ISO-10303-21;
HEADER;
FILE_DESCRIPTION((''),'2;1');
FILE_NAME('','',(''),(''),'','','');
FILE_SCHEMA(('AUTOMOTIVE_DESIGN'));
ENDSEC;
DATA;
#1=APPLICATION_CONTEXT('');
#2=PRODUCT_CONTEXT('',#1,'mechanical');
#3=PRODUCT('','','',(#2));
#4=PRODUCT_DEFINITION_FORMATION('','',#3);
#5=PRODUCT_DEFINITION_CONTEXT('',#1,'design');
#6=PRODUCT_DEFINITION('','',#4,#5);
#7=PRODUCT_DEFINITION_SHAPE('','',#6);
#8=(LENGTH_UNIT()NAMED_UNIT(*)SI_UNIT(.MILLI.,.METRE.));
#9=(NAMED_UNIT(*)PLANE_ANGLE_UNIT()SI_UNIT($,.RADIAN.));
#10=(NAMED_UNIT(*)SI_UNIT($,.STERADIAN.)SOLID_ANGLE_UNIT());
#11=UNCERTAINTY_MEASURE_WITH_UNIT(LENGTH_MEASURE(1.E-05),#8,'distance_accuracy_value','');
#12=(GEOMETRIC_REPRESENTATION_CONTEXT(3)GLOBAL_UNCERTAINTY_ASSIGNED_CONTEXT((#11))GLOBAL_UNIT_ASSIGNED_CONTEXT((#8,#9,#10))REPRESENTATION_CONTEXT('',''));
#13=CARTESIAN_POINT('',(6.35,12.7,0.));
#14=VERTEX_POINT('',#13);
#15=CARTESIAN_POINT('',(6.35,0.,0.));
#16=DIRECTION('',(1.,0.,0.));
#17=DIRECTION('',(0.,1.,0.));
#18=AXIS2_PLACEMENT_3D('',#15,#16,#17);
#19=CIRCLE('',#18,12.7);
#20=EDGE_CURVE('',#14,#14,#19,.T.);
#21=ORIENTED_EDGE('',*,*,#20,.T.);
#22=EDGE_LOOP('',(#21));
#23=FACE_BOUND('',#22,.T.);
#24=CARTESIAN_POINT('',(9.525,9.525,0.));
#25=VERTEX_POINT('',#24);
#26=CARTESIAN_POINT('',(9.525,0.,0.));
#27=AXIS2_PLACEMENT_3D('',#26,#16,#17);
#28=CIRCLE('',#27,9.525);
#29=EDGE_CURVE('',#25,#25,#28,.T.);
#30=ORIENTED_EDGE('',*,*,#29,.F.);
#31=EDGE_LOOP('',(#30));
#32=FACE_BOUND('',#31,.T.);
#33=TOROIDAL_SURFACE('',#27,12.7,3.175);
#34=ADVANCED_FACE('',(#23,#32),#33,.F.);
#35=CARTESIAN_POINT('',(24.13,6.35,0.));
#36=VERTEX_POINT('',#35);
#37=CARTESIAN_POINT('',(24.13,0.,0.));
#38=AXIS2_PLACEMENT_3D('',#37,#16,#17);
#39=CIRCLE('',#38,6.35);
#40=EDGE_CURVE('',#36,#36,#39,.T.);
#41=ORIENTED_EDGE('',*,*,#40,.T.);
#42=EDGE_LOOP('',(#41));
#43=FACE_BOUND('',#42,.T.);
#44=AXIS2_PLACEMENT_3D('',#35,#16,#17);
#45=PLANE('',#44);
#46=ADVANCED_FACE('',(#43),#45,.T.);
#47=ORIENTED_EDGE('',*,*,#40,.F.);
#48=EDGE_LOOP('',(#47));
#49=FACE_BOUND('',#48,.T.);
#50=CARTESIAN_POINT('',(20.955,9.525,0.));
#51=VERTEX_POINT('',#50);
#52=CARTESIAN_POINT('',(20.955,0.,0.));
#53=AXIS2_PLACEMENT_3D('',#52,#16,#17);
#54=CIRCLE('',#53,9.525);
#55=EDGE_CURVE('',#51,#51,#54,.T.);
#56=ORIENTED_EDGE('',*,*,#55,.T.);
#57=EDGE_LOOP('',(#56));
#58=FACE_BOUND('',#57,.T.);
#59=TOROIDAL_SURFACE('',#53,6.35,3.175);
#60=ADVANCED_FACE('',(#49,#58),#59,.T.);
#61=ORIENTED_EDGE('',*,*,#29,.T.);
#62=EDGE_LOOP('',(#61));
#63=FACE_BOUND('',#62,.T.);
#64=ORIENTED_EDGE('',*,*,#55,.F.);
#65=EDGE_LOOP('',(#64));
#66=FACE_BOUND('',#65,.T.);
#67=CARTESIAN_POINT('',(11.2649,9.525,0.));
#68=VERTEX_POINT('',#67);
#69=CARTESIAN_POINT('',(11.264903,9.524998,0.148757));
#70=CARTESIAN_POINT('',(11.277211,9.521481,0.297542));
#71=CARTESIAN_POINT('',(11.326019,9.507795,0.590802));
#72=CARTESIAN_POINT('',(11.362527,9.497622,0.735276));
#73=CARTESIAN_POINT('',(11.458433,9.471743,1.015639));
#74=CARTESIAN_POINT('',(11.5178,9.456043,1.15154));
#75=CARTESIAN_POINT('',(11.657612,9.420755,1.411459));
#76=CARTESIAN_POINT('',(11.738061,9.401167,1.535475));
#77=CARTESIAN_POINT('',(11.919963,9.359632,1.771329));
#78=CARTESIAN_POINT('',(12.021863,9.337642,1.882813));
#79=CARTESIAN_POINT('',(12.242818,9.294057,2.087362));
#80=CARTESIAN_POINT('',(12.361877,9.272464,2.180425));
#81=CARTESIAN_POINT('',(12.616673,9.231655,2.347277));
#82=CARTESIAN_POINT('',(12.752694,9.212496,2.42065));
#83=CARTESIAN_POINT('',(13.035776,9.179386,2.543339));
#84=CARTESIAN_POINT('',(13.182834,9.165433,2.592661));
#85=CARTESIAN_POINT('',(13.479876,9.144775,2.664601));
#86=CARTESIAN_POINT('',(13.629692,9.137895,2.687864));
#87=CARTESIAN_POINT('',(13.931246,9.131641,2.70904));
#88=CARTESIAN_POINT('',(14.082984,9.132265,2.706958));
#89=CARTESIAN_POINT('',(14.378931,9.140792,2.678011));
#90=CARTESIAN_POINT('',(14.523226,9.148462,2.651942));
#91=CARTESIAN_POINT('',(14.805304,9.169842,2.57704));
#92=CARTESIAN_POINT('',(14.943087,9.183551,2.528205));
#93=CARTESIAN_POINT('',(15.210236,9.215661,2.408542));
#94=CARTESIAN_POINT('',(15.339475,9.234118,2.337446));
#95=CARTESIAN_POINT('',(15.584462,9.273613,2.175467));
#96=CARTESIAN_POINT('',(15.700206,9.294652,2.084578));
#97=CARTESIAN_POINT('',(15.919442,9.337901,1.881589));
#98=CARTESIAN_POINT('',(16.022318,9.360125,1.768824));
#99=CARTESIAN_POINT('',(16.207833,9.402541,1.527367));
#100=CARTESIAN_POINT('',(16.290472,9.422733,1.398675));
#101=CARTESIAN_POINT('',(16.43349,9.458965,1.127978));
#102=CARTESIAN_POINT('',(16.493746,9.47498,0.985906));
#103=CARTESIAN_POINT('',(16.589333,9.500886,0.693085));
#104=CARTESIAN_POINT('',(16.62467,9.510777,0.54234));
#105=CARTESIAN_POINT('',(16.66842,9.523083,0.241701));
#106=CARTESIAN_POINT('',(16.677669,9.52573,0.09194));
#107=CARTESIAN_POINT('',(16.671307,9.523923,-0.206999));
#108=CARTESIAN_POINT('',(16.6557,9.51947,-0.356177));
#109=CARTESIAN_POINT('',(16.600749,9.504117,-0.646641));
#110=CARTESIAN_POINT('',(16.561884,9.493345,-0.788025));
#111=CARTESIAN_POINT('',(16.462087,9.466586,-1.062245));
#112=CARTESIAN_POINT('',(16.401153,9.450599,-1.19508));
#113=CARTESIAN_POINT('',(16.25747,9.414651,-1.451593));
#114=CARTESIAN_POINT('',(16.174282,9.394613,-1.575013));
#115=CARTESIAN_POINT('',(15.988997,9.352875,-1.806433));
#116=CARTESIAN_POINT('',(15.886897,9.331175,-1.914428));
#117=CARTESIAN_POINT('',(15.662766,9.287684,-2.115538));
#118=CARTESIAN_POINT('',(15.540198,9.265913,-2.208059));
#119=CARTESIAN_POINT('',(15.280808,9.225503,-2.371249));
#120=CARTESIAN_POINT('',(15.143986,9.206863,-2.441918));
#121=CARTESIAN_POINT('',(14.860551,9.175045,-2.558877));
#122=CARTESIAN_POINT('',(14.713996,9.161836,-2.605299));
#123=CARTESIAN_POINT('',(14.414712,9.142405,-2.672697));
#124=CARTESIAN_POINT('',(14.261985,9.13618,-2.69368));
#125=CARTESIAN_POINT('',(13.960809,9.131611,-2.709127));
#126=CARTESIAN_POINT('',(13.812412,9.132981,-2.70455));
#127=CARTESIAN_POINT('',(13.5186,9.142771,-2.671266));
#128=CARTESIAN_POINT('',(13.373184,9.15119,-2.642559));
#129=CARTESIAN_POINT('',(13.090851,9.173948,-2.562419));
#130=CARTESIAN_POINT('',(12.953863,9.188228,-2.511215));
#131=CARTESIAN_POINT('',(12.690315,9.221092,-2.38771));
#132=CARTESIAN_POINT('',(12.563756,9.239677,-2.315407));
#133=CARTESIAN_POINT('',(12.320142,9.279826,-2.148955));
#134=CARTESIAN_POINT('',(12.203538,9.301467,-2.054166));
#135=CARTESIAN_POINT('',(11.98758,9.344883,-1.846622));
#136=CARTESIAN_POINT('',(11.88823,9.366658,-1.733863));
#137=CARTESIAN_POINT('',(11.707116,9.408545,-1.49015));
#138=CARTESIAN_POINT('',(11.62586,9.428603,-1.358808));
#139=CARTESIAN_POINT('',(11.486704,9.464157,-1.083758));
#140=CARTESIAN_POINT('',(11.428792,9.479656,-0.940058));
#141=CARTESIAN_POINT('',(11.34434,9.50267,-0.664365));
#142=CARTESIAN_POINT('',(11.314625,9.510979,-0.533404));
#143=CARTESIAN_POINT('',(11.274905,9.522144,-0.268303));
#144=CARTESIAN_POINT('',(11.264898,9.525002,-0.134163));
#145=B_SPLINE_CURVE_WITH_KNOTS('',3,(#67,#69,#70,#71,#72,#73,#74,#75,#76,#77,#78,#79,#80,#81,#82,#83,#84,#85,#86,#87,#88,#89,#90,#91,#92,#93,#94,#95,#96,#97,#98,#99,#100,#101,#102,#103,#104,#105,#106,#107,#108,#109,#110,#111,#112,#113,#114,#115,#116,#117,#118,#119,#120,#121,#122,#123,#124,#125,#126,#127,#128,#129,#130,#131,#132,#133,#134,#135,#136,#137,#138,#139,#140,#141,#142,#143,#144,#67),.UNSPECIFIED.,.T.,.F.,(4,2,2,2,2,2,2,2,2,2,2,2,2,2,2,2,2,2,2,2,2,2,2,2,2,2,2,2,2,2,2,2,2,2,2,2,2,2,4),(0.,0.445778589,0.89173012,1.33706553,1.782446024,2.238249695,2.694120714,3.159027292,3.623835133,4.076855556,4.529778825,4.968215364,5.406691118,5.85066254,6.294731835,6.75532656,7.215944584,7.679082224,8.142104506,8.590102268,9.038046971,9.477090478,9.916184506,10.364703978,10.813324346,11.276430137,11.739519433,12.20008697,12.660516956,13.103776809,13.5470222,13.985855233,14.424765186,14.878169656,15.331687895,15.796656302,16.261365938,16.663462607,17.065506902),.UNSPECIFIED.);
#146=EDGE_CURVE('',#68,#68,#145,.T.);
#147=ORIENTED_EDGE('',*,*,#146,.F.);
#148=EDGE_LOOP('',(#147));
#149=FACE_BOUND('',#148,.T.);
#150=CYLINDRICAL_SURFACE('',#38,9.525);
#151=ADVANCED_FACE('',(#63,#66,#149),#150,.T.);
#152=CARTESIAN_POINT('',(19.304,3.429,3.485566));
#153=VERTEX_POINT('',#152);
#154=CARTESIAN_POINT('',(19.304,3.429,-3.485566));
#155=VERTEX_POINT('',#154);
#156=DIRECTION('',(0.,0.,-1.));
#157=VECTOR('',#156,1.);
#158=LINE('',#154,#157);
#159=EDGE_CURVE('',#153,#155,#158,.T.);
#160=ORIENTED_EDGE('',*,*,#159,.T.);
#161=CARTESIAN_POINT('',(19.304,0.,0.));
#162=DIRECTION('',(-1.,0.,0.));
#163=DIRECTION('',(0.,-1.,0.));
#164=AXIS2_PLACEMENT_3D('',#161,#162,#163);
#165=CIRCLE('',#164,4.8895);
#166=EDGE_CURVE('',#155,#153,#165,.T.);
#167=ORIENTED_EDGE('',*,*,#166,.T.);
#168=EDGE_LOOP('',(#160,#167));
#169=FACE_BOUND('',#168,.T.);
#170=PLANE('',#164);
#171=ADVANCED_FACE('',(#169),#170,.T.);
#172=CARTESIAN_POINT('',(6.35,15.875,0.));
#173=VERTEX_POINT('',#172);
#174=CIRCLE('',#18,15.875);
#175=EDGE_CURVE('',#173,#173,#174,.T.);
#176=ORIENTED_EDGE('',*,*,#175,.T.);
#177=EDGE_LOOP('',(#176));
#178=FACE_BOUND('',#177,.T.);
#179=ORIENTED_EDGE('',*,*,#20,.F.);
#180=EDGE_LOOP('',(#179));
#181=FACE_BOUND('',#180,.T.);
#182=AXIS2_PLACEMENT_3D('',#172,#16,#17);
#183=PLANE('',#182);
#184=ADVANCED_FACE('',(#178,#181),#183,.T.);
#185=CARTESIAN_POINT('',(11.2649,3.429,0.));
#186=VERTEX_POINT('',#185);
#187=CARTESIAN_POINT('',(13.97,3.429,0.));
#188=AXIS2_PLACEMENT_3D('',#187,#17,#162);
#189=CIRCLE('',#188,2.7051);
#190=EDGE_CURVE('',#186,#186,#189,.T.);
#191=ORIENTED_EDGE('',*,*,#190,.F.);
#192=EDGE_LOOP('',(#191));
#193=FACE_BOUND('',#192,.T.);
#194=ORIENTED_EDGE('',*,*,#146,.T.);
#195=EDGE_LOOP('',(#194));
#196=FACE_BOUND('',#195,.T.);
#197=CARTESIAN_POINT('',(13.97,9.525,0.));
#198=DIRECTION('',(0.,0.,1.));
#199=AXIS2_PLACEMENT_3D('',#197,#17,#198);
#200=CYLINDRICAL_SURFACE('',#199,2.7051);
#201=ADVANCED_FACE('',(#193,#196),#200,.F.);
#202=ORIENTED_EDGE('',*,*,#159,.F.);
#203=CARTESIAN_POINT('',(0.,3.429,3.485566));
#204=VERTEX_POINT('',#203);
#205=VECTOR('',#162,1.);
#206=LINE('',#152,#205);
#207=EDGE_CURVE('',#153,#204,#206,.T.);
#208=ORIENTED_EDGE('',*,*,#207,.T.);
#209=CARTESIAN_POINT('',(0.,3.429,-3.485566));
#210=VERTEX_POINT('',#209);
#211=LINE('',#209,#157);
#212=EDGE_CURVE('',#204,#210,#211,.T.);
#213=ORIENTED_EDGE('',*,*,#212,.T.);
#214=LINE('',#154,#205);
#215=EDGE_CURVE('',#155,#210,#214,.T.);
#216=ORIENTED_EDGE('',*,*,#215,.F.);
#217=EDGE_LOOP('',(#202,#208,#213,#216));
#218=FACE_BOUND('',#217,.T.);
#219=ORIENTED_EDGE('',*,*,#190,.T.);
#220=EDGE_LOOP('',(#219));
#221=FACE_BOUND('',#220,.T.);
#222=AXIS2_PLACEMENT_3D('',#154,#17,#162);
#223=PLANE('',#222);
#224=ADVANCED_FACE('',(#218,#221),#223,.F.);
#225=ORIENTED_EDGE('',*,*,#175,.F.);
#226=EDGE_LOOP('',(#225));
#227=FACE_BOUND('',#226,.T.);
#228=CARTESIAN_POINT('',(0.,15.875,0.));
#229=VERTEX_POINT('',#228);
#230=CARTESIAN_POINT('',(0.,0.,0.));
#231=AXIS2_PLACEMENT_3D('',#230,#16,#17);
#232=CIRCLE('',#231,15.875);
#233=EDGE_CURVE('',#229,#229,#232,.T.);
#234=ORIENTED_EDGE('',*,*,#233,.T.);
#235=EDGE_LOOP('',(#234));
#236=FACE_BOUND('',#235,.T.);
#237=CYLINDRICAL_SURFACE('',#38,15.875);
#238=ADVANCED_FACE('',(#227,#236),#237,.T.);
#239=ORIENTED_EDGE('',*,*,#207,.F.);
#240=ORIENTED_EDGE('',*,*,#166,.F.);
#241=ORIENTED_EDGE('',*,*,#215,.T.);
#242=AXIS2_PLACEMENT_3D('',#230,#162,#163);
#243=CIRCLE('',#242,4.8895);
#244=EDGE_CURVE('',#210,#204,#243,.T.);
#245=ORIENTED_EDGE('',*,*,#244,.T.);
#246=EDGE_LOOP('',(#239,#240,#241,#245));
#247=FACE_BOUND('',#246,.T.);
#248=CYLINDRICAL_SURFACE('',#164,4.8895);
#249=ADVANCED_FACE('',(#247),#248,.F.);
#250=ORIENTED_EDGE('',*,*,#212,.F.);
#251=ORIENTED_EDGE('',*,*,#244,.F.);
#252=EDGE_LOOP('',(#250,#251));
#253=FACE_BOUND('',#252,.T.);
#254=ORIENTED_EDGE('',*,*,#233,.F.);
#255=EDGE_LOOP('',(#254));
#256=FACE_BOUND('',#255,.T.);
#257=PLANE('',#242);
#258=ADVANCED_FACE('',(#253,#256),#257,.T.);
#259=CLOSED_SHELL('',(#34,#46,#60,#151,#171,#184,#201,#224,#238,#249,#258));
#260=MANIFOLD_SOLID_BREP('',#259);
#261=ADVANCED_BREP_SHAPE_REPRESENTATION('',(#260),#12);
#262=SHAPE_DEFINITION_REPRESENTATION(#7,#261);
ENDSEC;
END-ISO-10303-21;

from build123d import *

# Parameters (mm, degrees)
CUT_EXTRUDE1_DEPTH          = 19.304
F_1_4_28_TAPPED_HOLE1_D     = 5.4102
F_1_4_28_TAPPED_HOLE1_DEPTH = 6.096


with BuildPart() as part:
    # Sketch1 → Revolve1 (revolve)
    with BuildSketch(Plane.XY):
        with BuildLine():
            Line((0, 0), (0, 15.875))
            Line((0, 15.875), (6.35, 15.875))
            Line((6.35, 15.875), (6.35, 12.7))
            ThreePointArc((6.35, 12.7), (7.27993597, 10.45493597), (9.525, 9.525))
            Line((9.525, 9.525), (20.955, 9.525))
            ThreePointArc((20.955, 9.525), (23.20006403, 8.59506403), (24.13, 6.35))
            Line((24.13, 6.35), (24.13, 0))
            Line((24.13, 0), (0, 0))
        make_face()
    revolve(axis=Axis((24.13, 0, 0), (-1, 0, 0)))

    # Sketch2 → Cut-Extrude1 (cut)
    with BuildSketch(Plane.ZY):
        with BuildLine():
            Line((-3.485565844, 3.429), (3.485565844, 3.429))
            ThreePointArc((3.485565844, 3.429), (0, -4.8895), (-3.485565844, 3.429))
        make_face()
    extrude(amount=-CUT_EXTRUDE1_DEPTH, mode=Mode.SUBTRACT)

    # 1/4-28 Tapped Hole1
    with Locations(Plane(origin=(0, 9.525, 0), x_dir=(1, 0, 0), z_dir=(0, 1, 0))):
        with Locations((13.97, 0)):
            Hole(F_1_4_28_TAPPED_HOLE1_D / 2, depth=F_1_4_28_TAPPED_HOLE1_DEPTH)


solid = part.part
